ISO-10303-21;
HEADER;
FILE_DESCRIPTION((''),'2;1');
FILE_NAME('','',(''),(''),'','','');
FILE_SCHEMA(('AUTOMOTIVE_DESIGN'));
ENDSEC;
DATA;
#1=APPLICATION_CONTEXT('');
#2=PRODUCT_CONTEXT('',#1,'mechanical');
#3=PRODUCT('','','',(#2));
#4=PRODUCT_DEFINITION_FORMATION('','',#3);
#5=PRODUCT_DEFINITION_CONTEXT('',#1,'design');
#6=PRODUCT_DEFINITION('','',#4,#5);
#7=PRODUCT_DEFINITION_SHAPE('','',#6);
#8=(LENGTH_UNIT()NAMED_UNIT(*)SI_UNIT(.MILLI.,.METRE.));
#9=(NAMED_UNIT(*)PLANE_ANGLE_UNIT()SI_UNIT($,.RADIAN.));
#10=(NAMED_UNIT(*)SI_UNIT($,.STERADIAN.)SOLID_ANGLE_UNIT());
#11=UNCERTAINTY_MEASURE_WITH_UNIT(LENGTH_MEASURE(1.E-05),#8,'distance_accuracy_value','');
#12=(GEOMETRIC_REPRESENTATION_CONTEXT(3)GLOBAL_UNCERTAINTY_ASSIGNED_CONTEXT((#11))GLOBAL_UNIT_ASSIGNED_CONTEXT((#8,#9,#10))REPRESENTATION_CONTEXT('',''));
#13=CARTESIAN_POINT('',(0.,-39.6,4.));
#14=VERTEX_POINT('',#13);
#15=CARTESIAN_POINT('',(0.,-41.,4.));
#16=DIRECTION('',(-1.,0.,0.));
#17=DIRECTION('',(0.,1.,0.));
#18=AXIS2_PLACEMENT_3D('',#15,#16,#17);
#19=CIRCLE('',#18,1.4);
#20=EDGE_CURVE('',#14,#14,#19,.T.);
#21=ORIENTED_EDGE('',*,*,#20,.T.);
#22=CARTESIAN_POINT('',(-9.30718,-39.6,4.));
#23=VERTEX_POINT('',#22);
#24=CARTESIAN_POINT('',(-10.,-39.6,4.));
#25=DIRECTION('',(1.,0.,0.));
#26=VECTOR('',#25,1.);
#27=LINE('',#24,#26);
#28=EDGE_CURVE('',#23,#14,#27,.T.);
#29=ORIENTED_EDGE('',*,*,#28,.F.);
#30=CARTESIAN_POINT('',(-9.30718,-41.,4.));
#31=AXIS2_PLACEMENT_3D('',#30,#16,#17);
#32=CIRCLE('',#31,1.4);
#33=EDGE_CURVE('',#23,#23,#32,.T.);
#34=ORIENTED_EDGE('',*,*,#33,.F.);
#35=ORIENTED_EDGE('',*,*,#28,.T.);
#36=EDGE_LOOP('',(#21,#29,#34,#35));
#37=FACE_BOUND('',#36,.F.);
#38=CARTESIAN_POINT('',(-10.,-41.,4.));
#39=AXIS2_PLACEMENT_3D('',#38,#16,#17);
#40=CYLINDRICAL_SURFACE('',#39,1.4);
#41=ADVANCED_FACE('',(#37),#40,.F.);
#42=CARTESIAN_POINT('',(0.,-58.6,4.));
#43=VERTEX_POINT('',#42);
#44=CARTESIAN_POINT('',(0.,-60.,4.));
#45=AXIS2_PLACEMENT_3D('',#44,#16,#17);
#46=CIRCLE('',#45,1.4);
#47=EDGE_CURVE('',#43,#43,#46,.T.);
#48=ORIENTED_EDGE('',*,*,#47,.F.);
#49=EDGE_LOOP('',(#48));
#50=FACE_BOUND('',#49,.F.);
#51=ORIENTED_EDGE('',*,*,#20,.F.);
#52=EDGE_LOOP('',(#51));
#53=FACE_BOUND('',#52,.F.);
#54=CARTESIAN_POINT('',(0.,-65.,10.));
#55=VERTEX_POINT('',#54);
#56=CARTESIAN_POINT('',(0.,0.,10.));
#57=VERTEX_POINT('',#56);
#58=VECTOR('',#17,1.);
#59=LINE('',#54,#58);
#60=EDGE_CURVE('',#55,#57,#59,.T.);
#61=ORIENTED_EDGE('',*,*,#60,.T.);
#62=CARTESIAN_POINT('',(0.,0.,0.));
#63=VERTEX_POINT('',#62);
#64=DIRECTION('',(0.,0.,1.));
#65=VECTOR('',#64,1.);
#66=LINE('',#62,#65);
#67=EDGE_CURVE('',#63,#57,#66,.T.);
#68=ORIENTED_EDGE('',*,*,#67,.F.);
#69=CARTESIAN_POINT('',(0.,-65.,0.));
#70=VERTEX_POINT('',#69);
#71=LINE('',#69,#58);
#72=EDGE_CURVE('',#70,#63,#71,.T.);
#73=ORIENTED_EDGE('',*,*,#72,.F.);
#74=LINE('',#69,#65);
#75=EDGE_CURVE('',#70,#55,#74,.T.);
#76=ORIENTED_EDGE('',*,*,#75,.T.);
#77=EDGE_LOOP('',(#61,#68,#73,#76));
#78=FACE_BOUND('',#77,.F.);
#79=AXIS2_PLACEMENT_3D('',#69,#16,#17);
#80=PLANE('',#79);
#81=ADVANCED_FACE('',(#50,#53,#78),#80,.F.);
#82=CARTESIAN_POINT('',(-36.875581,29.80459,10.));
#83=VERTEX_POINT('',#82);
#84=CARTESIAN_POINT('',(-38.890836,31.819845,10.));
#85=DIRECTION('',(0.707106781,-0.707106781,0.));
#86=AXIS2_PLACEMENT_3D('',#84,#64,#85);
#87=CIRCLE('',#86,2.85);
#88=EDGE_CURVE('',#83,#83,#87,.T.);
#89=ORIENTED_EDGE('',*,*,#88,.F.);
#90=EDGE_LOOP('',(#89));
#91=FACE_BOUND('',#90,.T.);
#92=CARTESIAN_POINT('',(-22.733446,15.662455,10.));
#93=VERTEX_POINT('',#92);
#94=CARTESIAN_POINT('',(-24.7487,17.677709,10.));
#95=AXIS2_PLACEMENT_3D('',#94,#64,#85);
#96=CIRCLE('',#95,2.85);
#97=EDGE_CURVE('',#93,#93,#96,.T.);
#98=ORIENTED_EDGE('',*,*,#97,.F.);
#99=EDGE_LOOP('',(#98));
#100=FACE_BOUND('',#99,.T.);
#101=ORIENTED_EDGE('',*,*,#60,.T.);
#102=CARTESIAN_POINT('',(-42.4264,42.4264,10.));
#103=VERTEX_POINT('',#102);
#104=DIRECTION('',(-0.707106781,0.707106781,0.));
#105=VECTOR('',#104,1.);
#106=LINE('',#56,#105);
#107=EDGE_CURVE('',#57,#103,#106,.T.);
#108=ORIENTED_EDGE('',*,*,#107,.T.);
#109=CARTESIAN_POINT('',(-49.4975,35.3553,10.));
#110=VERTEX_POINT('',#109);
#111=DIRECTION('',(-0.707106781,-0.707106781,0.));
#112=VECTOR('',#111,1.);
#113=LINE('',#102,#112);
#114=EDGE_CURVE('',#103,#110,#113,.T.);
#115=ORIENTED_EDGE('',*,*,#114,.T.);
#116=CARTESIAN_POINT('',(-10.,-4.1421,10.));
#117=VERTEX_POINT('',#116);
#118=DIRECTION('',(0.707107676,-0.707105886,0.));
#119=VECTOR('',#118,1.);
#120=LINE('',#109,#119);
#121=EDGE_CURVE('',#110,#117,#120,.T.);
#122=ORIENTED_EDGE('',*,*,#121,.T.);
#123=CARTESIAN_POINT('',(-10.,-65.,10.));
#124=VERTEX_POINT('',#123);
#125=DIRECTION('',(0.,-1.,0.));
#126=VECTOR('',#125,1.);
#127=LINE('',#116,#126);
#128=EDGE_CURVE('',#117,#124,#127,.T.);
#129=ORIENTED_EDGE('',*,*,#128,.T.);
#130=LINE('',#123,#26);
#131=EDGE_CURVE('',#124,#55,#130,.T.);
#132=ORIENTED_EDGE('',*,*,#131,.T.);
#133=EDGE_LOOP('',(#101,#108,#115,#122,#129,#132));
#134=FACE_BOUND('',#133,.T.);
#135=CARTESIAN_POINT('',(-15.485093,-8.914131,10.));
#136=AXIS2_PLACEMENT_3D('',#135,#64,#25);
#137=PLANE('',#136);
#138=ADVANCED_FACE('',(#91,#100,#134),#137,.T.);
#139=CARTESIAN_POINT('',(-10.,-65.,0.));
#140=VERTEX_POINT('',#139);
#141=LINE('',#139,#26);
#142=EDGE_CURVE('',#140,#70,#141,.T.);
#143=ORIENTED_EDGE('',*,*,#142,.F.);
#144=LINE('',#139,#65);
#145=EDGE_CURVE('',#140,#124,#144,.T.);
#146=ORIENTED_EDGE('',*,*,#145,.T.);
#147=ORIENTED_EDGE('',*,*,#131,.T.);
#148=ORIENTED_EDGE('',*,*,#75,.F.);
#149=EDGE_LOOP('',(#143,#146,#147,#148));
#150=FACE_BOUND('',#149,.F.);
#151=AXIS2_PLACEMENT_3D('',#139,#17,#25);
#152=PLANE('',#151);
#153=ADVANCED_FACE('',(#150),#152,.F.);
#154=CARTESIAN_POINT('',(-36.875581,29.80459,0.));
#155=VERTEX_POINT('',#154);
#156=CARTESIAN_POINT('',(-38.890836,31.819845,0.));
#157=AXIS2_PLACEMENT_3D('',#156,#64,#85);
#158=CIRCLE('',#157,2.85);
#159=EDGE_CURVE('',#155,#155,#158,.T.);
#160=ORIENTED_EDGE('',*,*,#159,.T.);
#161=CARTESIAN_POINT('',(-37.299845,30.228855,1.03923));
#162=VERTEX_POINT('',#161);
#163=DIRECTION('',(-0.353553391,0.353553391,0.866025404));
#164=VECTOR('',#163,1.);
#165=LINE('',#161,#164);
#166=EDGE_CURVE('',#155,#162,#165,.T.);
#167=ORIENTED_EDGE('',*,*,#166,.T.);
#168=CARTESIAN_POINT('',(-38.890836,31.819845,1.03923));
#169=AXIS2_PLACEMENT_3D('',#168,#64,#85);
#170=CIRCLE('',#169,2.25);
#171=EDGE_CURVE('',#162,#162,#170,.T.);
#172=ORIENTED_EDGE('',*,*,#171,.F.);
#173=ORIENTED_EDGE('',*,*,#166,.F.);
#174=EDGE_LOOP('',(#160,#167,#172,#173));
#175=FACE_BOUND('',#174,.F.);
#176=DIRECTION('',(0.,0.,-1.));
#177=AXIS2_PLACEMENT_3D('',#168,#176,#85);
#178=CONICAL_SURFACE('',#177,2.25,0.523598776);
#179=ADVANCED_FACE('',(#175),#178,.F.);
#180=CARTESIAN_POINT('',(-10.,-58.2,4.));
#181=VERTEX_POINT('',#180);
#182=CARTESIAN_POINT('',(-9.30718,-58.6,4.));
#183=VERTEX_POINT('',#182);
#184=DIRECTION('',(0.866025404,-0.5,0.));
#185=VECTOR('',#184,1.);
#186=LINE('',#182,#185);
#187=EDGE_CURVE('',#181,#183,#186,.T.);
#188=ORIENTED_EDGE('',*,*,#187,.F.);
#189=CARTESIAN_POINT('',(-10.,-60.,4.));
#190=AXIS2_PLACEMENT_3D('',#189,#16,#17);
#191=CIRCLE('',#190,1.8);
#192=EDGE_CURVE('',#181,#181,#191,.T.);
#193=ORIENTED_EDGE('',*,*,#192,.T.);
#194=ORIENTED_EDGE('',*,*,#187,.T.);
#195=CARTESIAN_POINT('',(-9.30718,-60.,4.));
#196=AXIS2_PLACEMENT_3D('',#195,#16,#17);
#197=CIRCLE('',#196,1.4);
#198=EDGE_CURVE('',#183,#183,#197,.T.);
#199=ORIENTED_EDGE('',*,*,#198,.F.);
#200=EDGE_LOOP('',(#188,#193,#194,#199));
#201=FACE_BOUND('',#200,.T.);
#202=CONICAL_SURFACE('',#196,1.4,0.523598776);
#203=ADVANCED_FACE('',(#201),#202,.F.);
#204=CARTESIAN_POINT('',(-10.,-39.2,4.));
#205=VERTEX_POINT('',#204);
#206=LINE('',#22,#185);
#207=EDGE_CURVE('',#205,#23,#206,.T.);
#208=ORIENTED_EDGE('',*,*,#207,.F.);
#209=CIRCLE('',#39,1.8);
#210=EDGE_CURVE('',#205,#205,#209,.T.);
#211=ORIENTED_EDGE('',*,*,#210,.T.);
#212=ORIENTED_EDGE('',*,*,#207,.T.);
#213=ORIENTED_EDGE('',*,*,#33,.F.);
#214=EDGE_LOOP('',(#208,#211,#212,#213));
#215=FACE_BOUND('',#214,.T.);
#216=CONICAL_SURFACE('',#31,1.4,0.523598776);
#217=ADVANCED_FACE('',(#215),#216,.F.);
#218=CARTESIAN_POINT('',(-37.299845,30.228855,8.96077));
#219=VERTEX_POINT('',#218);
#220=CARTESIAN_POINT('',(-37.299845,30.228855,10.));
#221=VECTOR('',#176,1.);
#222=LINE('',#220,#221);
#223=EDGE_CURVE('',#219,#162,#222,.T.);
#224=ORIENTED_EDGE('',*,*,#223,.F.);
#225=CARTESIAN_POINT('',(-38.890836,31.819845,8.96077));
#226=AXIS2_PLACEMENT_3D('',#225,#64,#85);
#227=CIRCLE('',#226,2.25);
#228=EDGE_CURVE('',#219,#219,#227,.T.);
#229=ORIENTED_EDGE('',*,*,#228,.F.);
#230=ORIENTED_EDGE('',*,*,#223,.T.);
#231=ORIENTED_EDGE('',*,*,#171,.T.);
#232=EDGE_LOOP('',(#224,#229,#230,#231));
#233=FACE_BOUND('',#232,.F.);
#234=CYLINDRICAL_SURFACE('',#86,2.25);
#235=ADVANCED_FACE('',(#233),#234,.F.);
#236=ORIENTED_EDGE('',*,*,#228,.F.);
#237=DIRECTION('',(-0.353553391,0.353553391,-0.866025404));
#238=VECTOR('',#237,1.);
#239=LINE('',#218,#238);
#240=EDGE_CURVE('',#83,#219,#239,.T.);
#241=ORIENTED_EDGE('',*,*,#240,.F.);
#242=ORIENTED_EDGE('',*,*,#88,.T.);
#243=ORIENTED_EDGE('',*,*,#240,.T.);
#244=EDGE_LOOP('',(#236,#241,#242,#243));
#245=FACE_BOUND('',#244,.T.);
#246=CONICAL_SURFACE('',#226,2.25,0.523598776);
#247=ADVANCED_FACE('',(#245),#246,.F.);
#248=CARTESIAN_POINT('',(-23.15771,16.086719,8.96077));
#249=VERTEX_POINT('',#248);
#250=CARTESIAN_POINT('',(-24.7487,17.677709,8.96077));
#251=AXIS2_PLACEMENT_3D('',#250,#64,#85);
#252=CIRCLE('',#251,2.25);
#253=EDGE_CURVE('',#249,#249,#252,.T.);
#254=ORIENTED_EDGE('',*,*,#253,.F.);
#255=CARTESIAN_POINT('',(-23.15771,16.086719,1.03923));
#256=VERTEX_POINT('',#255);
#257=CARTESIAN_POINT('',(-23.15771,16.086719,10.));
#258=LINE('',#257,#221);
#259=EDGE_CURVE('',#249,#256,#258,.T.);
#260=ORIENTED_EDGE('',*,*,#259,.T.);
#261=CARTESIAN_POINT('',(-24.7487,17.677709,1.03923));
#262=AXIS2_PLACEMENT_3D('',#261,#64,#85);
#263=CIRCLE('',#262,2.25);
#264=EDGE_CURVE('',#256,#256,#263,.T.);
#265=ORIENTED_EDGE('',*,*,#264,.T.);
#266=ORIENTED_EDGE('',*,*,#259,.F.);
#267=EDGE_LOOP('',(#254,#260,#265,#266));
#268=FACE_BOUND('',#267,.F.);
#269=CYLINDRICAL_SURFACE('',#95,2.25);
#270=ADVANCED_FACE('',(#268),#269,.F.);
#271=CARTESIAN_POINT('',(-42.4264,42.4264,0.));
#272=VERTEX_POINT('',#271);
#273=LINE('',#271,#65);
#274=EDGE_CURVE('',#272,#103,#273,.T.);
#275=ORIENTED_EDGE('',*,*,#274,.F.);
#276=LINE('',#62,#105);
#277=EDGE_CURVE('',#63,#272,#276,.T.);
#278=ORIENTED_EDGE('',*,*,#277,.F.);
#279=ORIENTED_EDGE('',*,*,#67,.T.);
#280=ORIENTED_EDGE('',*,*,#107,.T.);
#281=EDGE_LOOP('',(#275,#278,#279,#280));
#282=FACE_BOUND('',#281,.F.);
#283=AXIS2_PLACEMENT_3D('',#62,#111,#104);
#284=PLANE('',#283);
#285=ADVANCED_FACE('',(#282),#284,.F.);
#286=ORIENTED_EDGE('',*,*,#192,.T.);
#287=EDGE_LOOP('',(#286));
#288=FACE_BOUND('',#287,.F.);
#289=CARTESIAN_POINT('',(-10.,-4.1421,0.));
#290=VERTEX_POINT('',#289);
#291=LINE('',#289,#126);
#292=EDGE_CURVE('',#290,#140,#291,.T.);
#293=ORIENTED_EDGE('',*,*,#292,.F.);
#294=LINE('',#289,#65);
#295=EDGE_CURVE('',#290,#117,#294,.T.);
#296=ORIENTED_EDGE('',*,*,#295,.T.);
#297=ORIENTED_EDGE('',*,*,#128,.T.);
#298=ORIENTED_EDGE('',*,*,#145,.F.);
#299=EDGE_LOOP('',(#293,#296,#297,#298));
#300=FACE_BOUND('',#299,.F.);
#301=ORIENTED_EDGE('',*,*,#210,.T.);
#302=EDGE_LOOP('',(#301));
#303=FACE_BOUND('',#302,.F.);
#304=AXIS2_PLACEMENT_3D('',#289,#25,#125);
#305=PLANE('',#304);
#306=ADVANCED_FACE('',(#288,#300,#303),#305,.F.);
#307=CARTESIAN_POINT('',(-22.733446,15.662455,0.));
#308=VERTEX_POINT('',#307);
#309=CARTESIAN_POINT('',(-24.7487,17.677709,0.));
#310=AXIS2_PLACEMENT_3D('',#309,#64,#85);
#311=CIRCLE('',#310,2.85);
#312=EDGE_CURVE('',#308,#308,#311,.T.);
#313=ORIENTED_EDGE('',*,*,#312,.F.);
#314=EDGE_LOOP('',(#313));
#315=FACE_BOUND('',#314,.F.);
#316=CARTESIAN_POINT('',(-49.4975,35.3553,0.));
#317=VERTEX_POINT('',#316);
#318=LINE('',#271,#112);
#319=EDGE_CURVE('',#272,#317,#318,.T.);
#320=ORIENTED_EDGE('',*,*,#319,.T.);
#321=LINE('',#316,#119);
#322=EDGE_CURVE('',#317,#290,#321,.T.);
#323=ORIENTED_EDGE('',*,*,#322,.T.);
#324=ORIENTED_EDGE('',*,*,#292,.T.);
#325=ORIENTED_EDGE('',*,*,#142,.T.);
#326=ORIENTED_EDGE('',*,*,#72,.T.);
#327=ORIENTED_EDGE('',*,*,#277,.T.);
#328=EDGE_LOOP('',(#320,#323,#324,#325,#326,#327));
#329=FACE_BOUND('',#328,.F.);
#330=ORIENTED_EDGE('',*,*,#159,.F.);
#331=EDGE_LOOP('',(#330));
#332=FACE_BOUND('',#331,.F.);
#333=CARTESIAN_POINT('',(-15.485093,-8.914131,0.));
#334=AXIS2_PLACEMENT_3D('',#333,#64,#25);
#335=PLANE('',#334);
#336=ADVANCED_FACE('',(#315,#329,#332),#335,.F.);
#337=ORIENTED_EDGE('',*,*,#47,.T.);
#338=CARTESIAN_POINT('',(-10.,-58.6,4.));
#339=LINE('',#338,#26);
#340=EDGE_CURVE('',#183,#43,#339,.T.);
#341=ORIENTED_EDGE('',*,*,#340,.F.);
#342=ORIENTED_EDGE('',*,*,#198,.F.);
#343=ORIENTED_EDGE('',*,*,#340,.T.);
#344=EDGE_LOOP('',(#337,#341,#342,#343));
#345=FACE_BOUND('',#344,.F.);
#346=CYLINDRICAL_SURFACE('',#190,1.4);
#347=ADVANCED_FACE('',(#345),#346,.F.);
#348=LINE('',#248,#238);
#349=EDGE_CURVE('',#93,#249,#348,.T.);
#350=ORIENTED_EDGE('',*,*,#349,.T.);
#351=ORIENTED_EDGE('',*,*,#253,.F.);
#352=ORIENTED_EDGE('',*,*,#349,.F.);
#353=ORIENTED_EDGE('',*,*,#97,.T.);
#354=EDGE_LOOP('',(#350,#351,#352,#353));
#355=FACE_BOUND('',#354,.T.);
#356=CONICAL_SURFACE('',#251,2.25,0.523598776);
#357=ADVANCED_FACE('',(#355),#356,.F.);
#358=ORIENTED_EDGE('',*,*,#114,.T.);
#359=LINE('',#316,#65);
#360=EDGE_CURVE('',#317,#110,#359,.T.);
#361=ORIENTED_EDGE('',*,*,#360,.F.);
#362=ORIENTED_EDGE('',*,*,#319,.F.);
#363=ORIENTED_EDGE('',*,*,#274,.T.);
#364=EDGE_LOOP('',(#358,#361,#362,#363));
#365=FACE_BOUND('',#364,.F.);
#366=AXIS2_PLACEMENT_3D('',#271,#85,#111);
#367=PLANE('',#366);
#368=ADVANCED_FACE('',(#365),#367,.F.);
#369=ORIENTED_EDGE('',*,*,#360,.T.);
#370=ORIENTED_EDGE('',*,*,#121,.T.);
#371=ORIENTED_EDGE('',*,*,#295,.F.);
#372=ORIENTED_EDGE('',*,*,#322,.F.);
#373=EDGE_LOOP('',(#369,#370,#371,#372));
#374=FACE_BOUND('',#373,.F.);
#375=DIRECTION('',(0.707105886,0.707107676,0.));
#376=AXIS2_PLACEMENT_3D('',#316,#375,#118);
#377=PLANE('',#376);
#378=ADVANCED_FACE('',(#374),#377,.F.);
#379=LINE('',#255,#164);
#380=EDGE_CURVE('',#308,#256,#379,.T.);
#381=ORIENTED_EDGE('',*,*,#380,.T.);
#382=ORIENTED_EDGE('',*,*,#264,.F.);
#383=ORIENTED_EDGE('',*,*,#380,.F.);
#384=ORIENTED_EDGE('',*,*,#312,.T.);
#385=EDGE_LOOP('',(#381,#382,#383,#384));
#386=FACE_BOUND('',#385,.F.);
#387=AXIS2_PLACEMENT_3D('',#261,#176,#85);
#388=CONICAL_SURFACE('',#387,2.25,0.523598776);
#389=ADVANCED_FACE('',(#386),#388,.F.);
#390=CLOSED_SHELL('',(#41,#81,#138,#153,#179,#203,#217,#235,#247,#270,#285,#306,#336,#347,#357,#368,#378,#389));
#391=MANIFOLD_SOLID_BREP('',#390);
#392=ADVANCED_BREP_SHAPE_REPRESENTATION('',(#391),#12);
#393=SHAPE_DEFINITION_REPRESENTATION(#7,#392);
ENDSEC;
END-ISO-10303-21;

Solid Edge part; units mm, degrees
sketch "Sketch1" plane through (0, 0, 0) normal (0, 0, 1) x (1, 0, 0)
  line L0 (-10, -65) -> (0, -65)
  line L1 (0, -65) -> (0, 0)
  line L2 (0, 0) -> (-42.4264, 42.4264)
  line L3 (-42.4264, 42.4264) -> (-49.4975, 35.3553)
  line L4 (-49.4975, 35.3553) -> (-10, -4.1421)
  line L5 (-10, -4.1421) -> (-10, -65)
  dimension "D1" = 10
  dimension "D2" = 10
  dimension "D3" = 65
  dimension "D4" = 60
extrude "Extrusionsausprägung_3" add sketch "Sketch1" along normal blind 10
sketch "Sketch2" plane through (-24.7487, -3.7868, 10) normal (0, 0, 1) x (0.7071, -0.7071, 0)
  circle A0 centre (-35.1777, 15.1777) radius 2.25
  circle A1 centre (-15.1777, 15.1777) radius 2.25
  dimension "D1" = 20
  dimension "D2" = 4.5
  dimension "D3" = 30
extrude "Cutout1" cut sketch "Sketch2" against normal up to next
sketch "Sketch3" plane through (-10, -32.0711, 5) normal (-1, 0, 0) x (0, 1, 0)
  circle A0 centre (-8.9289, 1) radius 1.4
  circle A1 centre (-27.9289, 1) radius 1.4
  dimension "D1" = 2.8
  dimension "D2" = 19
  dimension "D3" = 5
  dimension "D4" = 4
extrude "Cutout2" cut sketch "Sketch3" against normal up to next
chamfer "Fase_1" distance 0.4 angle 60 2 edges at (-10, -61.4, 4) (-10, -42.4, 4) measured on face at (-10, -13.6765, 8.2333)
chamfer "Fase_2" distance 0.6 angle 60 2 edges at (-26.3397, 19.2687, 10) (-40.4819, 33.4108, 10) measured on face at (-8.7446, -46.0213, 10)
chamfer "Fase_3" distance 0.6 angle 60 2 edges at (-26.9987, 17.6777, 0) (-41.1409, 31.8198, 0) measured on face at (-8.7446, -46.0213, 0)
properties material "Nylon, allgemein"
